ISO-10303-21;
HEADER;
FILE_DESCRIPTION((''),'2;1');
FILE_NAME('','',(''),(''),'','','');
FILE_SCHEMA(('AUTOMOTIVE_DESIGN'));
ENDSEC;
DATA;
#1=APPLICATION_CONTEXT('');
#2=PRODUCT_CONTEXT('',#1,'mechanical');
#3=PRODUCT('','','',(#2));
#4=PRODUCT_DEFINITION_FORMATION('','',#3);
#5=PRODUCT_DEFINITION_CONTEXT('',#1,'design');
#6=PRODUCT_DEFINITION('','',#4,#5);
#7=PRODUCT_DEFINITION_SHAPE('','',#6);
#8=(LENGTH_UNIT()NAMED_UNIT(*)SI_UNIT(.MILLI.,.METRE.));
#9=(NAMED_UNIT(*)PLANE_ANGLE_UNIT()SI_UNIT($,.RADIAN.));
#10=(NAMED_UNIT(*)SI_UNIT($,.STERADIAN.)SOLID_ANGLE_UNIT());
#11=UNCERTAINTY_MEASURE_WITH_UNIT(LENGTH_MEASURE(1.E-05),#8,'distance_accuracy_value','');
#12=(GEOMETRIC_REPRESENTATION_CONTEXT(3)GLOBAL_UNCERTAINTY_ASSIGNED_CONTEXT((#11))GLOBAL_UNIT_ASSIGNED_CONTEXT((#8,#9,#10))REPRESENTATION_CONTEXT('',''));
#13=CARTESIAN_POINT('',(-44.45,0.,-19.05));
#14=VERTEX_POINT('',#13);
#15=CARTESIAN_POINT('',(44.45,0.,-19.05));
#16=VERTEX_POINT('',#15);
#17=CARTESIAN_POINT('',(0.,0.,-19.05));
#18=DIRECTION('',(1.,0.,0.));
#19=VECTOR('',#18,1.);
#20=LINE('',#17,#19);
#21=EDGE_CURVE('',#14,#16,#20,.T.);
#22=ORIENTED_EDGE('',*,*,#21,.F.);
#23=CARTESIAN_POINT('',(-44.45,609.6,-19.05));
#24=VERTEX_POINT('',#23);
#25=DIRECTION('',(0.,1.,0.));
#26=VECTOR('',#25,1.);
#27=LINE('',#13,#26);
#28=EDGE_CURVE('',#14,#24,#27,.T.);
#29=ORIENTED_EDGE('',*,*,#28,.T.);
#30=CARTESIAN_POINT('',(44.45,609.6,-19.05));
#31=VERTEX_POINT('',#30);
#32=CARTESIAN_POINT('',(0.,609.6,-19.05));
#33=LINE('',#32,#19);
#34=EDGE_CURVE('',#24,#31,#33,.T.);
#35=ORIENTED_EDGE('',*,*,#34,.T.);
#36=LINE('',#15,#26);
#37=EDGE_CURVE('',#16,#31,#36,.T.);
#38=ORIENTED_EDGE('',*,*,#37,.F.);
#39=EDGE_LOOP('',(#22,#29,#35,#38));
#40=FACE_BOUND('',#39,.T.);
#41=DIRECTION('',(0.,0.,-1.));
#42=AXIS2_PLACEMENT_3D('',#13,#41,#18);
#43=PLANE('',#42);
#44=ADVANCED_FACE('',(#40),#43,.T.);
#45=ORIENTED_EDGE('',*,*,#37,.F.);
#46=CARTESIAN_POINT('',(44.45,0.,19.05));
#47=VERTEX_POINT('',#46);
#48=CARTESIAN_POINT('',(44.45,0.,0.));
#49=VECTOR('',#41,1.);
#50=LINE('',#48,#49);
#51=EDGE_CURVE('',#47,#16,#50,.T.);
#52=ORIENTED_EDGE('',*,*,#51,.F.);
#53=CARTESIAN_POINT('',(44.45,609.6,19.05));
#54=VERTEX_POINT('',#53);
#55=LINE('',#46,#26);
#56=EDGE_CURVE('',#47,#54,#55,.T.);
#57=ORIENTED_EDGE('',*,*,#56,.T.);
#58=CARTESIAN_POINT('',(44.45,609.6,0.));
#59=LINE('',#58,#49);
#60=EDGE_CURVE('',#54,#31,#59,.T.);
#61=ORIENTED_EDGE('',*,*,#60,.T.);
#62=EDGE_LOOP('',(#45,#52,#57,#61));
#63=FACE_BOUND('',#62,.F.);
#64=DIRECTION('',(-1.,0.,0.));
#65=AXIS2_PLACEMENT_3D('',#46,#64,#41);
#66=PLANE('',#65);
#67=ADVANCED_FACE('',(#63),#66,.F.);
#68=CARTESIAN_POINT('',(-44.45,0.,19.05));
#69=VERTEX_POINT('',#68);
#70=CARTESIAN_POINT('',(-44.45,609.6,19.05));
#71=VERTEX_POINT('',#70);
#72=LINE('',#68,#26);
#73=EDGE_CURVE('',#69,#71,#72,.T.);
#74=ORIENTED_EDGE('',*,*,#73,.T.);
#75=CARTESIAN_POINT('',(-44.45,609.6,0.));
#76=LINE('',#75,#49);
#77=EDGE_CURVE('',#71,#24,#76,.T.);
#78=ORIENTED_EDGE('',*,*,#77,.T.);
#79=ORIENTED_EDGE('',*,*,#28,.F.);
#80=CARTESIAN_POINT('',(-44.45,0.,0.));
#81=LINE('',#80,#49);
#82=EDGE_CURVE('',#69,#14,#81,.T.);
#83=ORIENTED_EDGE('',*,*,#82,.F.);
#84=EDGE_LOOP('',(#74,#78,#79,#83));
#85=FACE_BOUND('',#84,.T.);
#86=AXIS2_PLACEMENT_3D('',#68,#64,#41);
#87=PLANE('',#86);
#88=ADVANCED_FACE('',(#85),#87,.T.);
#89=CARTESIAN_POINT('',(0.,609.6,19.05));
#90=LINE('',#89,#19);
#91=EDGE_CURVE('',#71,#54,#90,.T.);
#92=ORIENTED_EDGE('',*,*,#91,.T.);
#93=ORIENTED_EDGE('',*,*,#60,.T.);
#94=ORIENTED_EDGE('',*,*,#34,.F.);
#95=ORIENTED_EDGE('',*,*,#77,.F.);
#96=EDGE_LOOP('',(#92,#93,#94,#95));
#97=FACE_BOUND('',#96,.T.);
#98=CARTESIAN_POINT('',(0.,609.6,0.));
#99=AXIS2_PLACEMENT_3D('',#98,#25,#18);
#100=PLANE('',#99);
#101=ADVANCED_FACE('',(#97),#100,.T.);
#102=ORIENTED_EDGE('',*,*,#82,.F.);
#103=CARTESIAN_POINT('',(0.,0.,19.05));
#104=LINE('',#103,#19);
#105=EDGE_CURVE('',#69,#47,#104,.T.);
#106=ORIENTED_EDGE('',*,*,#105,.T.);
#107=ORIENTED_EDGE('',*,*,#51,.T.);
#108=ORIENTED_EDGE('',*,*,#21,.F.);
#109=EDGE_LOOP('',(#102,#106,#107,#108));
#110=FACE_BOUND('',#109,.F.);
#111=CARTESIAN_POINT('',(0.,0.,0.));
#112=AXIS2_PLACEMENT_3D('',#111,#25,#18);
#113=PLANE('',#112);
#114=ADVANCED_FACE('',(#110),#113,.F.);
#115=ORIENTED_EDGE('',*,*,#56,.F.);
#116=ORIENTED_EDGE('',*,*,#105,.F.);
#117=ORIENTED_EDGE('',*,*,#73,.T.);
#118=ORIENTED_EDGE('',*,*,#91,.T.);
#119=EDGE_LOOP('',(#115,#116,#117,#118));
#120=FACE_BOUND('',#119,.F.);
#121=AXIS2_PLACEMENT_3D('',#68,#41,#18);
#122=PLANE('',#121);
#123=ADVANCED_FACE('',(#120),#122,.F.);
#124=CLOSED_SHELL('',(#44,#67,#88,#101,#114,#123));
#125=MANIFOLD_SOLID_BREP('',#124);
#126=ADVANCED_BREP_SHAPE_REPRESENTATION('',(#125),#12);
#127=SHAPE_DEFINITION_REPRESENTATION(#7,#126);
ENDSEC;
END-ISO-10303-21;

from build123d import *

# Parameters (mm, degrees)
SKETCH1_W           = 88.9
SKETCH1_H           = 38.1
BOSS_EXTRUDE1_DEPTH = 609.6


with BuildPart() as part:
    # Sketch1 → Boss-Extrude1 (new body)
    with BuildSketch(Plane(origin=(0, 0, 0), x_dir=(1, 0, 0), z_dir=(0, 1, 0))):
        Rectangle(SKETCH1_W, SKETCH1_H)
    extrude(amount=BOSS_EXTRUDE1_DEPTH)


solid = part.part
